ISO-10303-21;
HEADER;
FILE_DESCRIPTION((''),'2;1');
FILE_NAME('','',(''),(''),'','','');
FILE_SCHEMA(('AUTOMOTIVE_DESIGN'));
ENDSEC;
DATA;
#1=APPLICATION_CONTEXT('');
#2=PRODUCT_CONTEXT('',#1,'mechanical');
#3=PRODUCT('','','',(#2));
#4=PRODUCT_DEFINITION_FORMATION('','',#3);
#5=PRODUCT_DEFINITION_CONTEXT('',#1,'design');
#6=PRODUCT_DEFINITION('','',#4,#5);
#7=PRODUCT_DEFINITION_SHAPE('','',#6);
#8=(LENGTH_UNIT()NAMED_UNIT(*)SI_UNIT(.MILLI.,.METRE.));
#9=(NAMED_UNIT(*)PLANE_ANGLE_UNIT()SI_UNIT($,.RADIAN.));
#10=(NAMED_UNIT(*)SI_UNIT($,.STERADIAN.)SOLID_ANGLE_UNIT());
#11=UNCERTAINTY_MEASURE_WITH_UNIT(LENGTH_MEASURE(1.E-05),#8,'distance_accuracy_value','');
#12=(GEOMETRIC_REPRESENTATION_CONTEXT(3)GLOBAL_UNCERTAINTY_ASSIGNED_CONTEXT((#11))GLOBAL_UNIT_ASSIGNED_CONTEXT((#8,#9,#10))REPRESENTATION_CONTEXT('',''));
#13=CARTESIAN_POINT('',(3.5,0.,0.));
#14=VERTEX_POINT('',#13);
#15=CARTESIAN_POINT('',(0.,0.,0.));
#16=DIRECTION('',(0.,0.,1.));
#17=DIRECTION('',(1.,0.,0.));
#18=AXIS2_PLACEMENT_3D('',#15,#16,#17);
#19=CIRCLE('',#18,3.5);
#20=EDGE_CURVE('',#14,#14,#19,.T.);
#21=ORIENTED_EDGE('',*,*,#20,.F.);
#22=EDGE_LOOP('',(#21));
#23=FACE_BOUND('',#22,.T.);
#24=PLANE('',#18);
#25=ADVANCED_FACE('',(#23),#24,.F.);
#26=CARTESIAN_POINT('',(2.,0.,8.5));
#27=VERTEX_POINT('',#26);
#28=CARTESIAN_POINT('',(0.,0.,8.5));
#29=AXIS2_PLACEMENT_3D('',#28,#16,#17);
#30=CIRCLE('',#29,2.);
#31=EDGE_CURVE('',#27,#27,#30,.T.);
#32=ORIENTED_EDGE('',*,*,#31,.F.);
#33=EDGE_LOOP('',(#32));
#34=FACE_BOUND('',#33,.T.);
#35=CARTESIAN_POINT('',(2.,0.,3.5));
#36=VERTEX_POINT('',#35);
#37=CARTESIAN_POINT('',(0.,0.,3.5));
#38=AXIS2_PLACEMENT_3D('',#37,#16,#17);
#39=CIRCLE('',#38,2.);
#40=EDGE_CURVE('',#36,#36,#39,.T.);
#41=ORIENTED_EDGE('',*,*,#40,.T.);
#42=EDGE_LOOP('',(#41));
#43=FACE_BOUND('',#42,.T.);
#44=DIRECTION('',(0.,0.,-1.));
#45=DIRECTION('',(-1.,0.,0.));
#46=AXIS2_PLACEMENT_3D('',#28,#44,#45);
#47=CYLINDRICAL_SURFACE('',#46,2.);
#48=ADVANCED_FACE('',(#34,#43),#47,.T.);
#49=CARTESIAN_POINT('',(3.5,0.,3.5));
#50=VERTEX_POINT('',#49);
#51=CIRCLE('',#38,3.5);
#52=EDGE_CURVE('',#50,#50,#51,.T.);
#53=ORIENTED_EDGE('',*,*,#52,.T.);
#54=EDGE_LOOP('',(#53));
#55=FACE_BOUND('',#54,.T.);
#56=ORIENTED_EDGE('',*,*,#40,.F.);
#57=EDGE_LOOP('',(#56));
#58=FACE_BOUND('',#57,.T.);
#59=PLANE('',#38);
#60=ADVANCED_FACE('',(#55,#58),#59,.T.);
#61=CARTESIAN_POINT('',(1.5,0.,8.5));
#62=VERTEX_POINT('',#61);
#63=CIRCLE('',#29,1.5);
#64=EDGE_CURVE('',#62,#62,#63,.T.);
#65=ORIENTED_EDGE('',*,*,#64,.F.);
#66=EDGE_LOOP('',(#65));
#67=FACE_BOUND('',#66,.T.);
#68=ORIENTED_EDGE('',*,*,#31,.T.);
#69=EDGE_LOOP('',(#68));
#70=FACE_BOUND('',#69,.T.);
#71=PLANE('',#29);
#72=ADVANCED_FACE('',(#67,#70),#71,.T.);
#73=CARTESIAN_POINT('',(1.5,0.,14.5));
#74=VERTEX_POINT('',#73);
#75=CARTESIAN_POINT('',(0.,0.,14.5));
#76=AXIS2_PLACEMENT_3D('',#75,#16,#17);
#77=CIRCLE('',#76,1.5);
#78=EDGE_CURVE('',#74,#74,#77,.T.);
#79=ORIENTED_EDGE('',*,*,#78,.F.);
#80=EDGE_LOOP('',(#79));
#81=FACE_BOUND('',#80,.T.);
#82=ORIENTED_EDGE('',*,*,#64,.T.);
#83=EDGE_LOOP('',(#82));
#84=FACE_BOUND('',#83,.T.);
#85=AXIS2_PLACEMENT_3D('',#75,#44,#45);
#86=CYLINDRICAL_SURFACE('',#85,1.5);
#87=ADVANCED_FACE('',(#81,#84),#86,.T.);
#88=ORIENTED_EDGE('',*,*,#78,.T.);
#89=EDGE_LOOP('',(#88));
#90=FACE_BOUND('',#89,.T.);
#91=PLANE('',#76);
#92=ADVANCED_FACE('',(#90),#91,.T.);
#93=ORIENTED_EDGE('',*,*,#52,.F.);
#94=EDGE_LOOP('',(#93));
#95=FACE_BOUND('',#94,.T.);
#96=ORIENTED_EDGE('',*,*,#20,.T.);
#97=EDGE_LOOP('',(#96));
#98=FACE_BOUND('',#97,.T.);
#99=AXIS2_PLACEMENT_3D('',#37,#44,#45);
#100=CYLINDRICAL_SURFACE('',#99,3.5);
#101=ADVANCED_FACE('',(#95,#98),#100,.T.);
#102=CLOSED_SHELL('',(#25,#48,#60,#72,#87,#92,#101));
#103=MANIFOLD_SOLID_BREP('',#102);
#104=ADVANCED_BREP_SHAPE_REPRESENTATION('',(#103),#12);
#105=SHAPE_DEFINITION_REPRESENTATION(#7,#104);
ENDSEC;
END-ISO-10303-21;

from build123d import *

# Parameters (mm, degrees)
SKETCH_1_R      = 3.5
EXTRUDE_1_DEPTH = 3.5
SKETCH_2_R      = 2
EXTRUDE_2_DEPTH = 5
SKETCH_3_R      = 1.5
EXTRUDE_3_DEPTH = 6


with BuildPart() as part:
    # 草图1 → 凸台-拉伸1 (new body)
    with BuildSketch(Plane.XY):
        Circle(SKETCH_1_R)
    extrude(amount=EXTRUDE_1_DEPTH)

    # 草图2 → 凸台-拉伸2 (add)
    with BuildSketch(Plane.XY.offset(3.5)):
        Circle(SKETCH_2_R)
    extrude(amount=EXTRUDE_2_DEPTH)

    # 草图3 → 凸台-拉伸3 (add)
    with BuildSketch(Plane.XY.offset(8.5)):
        Circle(SKETCH_3_R)
    extrude(amount=EXTRUDE_3_DEPTH)


solid = part.part
